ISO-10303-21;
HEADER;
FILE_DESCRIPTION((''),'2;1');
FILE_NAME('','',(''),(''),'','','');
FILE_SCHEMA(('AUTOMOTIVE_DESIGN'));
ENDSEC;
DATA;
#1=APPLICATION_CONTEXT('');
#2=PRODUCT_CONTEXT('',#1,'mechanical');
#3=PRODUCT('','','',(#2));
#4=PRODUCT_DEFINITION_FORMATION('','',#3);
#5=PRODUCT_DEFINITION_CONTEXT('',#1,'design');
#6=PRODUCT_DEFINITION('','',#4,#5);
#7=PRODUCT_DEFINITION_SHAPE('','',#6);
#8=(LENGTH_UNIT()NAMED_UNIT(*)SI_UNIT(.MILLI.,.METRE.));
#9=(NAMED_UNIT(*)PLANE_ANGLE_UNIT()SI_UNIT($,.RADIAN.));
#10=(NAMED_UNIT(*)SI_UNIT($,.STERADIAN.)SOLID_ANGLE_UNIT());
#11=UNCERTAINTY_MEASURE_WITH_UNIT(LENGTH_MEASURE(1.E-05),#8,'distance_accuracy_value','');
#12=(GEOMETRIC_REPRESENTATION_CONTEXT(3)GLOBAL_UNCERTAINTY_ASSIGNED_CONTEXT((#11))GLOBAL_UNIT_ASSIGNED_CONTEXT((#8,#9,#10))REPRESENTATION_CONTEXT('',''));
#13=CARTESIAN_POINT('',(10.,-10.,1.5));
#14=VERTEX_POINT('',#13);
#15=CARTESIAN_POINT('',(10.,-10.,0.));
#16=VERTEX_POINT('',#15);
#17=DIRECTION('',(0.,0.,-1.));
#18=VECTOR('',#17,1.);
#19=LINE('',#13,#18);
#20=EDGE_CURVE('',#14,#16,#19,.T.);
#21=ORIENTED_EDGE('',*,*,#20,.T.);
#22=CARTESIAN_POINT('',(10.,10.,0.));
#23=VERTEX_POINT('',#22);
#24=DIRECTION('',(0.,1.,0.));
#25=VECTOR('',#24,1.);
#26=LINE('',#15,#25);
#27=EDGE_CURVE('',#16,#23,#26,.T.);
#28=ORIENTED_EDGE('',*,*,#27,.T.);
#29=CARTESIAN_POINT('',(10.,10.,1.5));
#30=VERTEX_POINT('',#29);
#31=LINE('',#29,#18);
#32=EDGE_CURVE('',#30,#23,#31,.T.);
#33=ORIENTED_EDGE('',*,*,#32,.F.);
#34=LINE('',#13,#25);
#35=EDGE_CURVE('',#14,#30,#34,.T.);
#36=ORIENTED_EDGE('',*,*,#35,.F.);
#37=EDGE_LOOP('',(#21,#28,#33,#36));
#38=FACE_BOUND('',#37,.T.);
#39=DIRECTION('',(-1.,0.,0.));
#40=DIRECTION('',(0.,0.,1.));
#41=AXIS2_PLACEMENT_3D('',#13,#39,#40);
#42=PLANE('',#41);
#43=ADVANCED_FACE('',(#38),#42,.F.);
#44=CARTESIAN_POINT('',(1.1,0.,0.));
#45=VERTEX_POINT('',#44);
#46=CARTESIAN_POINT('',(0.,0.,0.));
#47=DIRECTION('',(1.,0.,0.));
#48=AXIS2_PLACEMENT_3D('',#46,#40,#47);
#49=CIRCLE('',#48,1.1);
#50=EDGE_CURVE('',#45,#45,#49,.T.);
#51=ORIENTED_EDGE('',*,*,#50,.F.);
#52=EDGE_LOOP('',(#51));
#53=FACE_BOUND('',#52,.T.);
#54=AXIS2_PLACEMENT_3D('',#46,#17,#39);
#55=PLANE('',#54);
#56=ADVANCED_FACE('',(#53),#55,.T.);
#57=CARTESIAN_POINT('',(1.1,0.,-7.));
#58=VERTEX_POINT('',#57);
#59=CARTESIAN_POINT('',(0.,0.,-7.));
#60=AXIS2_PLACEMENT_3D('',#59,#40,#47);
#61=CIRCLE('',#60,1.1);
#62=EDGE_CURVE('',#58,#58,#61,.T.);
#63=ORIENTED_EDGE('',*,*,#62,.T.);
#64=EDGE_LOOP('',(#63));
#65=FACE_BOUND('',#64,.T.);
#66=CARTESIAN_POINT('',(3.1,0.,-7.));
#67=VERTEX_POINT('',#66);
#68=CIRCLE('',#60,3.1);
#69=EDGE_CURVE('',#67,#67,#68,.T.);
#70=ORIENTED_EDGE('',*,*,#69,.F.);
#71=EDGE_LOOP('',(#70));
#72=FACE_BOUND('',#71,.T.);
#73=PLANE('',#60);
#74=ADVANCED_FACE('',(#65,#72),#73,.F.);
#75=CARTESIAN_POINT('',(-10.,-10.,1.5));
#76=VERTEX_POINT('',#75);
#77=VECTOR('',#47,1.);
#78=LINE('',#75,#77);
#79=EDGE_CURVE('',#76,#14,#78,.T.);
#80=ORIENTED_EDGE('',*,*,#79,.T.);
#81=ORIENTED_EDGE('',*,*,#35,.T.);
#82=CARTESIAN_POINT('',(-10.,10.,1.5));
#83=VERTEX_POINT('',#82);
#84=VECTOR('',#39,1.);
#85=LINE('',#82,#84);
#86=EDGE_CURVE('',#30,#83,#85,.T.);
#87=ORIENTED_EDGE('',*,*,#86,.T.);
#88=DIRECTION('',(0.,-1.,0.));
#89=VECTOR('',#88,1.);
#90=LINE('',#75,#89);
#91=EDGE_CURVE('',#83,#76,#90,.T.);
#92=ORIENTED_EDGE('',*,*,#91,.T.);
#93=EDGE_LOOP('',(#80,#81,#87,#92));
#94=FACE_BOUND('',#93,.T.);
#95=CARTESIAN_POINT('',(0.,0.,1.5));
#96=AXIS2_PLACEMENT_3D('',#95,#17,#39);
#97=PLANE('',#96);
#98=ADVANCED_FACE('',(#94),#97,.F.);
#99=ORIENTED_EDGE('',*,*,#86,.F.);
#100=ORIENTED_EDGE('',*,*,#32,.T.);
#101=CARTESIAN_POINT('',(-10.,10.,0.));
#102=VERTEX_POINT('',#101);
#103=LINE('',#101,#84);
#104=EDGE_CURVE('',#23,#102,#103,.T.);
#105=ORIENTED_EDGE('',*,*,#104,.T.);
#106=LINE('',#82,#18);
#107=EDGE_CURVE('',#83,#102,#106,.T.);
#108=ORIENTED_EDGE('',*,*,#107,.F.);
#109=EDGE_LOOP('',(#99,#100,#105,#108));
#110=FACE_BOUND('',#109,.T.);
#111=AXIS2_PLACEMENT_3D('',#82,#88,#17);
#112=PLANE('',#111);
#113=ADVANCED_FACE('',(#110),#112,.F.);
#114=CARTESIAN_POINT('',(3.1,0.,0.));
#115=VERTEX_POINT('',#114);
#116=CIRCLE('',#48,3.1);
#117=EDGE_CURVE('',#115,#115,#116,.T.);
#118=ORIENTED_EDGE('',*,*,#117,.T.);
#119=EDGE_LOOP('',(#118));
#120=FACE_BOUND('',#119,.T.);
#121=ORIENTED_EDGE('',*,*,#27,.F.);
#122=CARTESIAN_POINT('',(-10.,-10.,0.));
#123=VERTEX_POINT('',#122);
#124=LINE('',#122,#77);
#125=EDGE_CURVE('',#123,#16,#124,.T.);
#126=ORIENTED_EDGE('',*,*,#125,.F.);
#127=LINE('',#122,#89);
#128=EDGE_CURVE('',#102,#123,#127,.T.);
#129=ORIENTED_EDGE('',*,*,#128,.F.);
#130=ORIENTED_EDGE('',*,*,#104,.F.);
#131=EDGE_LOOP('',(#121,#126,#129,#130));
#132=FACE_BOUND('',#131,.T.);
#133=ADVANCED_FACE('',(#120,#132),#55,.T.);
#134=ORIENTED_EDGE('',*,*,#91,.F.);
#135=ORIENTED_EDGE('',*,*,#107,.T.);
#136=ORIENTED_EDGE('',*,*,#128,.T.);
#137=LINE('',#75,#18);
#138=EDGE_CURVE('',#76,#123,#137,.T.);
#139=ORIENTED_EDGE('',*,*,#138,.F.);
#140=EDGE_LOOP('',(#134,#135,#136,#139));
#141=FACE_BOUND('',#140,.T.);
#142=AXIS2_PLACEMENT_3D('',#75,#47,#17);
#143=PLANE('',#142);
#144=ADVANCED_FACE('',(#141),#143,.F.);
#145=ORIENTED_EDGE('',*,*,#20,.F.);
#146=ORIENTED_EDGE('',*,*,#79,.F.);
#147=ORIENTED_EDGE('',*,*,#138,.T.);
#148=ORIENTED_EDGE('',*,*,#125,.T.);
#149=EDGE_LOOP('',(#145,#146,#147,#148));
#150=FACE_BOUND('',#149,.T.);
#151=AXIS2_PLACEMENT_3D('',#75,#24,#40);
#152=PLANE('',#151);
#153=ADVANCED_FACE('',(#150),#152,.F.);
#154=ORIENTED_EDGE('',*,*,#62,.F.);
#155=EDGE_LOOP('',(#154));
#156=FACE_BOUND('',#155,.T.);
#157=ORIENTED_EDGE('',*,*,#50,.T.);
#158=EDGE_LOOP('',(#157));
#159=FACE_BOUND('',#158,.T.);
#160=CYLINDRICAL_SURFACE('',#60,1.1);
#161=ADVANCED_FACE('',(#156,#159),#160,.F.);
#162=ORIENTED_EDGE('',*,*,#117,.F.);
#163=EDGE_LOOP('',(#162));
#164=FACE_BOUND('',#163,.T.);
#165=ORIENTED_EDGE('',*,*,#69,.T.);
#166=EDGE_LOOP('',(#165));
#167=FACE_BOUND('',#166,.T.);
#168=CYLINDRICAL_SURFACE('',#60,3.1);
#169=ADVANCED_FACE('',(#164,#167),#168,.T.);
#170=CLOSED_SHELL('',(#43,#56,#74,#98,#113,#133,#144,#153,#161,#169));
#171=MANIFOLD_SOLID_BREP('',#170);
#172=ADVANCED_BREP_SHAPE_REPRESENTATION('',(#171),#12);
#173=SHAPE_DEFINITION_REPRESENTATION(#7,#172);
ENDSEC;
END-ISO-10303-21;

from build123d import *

# Parameters (mm, degrees)
SKETCH_2_W        = 20
SKETCH_2_H        = 20
EXTRUDE_348_DEPTH = 1.5
SKETCH_3_R        = 3.1
SKETCH_3_R_2      = 1.1
EXTRUDE_476_DEPTH = 7


with BuildPart() as part:
    # Эскиз2 → Extrude 348 (new body)
    with BuildSketch(Plane.XY):
        Rectangle(SKETCH_2_W, SKETCH_2_H)
    extrude(amount=EXTRUDE_348_DEPTH)

    # Эскиз3 → Extrude 476 (add)
    with BuildSketch(Plane.XY):
        Circle(SKETCH_3_R)
        Circle(SKETCH_3_R_2, mode=Mode.SUBTRACT)
    extrude(amount=-EXTRUDE_476_DEPTH)


solid = part.part
